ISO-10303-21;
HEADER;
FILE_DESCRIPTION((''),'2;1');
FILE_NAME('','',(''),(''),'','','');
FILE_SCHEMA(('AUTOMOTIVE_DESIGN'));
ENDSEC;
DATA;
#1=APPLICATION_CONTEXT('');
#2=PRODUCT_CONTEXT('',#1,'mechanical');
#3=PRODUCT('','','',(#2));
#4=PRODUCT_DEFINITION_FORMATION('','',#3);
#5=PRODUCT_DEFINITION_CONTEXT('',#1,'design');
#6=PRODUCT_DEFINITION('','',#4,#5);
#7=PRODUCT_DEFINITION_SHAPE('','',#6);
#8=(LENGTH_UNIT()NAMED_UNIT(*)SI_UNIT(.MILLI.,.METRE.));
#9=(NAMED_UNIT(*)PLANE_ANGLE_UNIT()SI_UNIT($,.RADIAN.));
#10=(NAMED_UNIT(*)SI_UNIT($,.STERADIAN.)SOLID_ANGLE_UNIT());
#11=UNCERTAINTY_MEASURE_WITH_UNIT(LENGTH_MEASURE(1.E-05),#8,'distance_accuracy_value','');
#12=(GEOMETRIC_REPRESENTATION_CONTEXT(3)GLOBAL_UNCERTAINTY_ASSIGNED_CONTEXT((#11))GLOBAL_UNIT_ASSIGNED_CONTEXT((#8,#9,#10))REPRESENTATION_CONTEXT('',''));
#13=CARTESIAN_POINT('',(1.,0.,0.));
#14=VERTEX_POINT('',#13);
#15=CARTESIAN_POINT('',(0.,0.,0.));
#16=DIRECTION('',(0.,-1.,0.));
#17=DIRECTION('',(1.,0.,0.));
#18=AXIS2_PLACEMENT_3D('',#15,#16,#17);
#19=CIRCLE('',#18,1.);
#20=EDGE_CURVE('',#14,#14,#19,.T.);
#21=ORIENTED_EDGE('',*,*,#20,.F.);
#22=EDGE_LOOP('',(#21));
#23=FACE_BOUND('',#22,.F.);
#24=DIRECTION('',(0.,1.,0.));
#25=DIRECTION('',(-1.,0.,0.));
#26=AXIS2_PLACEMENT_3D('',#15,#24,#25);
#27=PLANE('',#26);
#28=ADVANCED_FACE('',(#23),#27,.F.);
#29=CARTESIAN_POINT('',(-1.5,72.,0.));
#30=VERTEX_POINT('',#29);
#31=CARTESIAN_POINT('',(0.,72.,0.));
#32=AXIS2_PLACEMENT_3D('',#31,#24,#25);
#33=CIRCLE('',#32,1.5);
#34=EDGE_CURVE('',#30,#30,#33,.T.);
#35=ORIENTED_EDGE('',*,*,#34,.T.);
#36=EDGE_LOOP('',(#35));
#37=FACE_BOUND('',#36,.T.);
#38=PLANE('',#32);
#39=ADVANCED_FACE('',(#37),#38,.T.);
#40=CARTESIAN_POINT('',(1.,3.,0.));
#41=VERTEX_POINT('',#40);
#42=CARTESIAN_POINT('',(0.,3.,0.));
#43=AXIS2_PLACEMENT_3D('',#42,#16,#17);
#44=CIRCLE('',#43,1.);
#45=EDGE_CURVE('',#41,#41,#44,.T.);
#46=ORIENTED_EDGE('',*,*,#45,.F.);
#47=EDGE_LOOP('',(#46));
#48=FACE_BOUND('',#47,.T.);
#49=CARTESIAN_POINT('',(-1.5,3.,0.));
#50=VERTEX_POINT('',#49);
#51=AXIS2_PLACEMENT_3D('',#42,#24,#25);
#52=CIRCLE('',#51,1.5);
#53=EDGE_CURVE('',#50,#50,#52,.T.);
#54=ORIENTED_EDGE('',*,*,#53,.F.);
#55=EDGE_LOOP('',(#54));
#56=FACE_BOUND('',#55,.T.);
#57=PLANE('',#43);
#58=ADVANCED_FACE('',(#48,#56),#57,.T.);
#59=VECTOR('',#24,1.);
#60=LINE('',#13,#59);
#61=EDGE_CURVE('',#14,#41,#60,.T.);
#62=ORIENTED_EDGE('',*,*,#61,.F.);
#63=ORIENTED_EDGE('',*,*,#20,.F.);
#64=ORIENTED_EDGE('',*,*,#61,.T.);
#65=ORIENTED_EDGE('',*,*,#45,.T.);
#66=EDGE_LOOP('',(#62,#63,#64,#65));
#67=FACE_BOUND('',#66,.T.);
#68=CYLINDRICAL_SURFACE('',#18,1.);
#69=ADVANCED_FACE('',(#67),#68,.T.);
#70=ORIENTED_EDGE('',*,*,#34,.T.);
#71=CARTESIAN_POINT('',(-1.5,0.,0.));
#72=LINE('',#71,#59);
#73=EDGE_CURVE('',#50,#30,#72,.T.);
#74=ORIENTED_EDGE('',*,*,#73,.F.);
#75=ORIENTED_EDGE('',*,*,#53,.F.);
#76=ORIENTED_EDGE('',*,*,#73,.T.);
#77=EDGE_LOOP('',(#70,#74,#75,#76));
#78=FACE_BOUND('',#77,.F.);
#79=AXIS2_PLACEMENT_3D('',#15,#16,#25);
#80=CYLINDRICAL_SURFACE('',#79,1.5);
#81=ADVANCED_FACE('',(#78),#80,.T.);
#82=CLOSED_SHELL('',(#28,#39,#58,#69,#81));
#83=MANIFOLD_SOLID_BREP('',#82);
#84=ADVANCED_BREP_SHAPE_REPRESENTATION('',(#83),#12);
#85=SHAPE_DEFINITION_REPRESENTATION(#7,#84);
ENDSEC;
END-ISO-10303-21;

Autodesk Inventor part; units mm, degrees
ref_plane "YZ Plane" through (0, 0, 0) normal (1, 0, 0) x (0, 1, 0)
ref_plane "XZ Plane" through (0, 0, 0) normal (0, 1, 0) x (-1, 0, 0)
ref_plane "XY Plane" through (0, 0, 0) normal (0, 0, 1) x (1, 0, 0)
sketch "Sketch1" plane through (0, 0, 0) normal (0, 1, 0) x (-1, 0, 0)
  circle A0 centre (0, 0) radius 1.5
  dimension "d0" = 3
extrude "Extrusion1" add sketch "Sketch1" along normal blind 72
sketch "Sketch2" plane through (0, 0, 0) normal (0, -1, 0) x (1, 0, 0)
  circle A0 centre (0, 0) radius 1
  circle A1 centre (0, 0) radius 1.5
  dimension "d3" = 2
  dimension "d4" = 3
extrude "Extrusion2" cut sketch "Sketch2" against normal blind 3
thread "Thread1" size "2-56 UNC" class "2A" standard "ANSI Unified Screw Threads" full length
properties part number "Rod"
